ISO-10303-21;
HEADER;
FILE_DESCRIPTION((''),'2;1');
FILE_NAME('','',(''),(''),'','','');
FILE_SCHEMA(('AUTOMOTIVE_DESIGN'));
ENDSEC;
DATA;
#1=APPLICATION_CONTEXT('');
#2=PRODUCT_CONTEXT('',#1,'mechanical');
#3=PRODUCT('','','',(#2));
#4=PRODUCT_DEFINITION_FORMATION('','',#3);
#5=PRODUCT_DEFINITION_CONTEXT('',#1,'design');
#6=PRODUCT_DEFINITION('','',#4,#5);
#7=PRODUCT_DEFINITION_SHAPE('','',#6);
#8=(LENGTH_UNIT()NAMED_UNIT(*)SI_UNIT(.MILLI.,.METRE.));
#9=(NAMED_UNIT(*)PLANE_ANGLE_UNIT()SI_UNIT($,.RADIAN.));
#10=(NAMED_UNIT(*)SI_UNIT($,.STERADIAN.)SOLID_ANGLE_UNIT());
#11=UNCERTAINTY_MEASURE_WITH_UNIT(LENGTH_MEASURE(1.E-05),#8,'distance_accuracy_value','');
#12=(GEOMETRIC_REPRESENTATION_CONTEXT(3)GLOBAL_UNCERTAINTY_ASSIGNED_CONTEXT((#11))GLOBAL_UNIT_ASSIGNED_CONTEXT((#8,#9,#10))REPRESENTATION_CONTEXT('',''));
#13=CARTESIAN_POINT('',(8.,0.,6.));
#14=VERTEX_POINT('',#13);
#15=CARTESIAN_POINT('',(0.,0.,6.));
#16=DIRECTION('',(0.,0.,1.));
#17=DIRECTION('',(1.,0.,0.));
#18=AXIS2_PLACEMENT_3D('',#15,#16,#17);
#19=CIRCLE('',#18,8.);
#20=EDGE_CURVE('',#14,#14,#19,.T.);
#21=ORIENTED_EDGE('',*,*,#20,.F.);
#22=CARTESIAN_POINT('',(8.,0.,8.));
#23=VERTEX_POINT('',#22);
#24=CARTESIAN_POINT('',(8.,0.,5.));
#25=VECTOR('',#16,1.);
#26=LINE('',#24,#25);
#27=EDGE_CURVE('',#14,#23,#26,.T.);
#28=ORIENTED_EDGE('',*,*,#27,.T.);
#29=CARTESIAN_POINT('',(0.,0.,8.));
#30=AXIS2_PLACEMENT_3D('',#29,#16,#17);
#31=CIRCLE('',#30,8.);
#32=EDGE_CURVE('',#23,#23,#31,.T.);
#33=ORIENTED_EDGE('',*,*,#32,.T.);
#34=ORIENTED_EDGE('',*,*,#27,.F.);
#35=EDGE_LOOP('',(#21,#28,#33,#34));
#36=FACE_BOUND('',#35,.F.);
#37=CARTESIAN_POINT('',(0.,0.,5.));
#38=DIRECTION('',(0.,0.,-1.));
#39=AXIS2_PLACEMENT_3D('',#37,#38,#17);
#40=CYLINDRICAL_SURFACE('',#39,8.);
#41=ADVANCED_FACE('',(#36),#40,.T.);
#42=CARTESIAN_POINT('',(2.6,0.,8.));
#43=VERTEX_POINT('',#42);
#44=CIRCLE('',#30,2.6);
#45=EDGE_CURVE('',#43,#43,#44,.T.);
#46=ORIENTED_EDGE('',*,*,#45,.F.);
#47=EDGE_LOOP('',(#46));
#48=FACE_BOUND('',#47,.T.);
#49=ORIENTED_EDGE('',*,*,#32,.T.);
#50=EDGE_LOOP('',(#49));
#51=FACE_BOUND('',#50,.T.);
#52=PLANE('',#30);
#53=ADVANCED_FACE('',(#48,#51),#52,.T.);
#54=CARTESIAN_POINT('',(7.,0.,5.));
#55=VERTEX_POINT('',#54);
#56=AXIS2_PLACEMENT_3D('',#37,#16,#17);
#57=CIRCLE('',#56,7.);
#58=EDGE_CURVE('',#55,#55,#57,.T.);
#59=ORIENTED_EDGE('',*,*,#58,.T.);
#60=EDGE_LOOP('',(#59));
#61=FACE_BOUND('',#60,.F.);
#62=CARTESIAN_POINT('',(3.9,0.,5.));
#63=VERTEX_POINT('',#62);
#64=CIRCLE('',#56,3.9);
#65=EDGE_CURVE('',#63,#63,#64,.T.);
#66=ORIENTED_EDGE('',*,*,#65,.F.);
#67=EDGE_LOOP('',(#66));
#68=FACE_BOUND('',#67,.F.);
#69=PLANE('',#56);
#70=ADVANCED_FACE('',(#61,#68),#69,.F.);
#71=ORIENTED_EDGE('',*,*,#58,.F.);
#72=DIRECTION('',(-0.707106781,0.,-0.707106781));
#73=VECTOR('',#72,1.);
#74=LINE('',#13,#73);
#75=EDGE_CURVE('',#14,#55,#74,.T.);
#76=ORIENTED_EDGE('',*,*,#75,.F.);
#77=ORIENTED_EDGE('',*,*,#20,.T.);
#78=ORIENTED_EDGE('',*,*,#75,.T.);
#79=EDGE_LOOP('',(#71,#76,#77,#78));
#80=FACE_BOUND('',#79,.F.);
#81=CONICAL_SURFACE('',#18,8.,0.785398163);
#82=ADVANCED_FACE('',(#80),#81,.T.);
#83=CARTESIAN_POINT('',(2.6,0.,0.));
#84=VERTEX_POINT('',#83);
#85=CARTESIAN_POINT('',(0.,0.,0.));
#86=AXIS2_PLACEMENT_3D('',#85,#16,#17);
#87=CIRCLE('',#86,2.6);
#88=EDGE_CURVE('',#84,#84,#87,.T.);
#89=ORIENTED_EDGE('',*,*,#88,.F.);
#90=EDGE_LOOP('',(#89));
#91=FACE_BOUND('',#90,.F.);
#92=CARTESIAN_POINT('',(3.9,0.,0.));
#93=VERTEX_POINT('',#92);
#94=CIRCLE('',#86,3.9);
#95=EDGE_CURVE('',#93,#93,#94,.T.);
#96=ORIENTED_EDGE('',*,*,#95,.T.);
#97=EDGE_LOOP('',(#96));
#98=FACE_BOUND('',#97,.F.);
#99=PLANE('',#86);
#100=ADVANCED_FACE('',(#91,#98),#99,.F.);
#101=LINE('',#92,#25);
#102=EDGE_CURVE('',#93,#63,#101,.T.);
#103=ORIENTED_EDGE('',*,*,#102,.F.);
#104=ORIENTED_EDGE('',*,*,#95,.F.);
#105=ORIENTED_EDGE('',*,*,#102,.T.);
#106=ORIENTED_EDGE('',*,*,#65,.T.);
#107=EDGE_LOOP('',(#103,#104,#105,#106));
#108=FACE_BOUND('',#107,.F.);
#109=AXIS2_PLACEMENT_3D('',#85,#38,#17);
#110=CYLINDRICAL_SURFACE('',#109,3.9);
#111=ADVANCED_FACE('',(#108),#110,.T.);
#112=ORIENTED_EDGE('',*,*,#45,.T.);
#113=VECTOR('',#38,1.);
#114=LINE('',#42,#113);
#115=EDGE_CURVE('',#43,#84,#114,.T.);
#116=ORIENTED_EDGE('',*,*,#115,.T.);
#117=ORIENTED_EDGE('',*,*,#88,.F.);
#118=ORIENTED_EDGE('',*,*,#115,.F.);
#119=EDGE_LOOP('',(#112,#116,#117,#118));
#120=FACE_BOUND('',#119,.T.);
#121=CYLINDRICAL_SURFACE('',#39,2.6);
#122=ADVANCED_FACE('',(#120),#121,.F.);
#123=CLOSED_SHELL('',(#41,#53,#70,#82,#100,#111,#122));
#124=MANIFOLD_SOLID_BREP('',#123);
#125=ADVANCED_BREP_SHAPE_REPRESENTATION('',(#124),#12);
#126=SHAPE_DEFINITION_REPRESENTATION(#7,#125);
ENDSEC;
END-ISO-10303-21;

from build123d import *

# Parameters (mm, degrees)
SKETCH_R      = 3.9
SKETCH_R_2    = 2.6
PAD_DEPTH     = 5
SKETCH001_R   = 8
SKETCH001_R_2 = 2.6
PAD001_DEPTH  = 3
CHAMFER_SIZE  = 1


with BuildPart() as part:
    # Sketch → Pad (new body)
    with BuildSketch(Plane.XY):
        Circle(SKETCH_R)
        Circle(SKETCH_R_2, mode=Mode.SUBTRACT)
    extrude(amount=PAD_DEPTH)

    # Sketch001 (on Face4 of Pad) → Pad001 (join)
    with BuildSketch(Plane.XY.offset(5)):
        Circle(SKETCH001_R)
        Circle(SKETCH001_R_2, mode=Mode.SUBTRACT)
    extrude(amount=PAD001_DEPTH)

    # Chamfer
    chamfer_edges = [part.edges().sort_by_distance(p)[0] for p in [
        (-8, 0, 5),
    ]]
    chamfer(chamfer_edges, length=CHAMFER_SIZE)


solid = part.part
